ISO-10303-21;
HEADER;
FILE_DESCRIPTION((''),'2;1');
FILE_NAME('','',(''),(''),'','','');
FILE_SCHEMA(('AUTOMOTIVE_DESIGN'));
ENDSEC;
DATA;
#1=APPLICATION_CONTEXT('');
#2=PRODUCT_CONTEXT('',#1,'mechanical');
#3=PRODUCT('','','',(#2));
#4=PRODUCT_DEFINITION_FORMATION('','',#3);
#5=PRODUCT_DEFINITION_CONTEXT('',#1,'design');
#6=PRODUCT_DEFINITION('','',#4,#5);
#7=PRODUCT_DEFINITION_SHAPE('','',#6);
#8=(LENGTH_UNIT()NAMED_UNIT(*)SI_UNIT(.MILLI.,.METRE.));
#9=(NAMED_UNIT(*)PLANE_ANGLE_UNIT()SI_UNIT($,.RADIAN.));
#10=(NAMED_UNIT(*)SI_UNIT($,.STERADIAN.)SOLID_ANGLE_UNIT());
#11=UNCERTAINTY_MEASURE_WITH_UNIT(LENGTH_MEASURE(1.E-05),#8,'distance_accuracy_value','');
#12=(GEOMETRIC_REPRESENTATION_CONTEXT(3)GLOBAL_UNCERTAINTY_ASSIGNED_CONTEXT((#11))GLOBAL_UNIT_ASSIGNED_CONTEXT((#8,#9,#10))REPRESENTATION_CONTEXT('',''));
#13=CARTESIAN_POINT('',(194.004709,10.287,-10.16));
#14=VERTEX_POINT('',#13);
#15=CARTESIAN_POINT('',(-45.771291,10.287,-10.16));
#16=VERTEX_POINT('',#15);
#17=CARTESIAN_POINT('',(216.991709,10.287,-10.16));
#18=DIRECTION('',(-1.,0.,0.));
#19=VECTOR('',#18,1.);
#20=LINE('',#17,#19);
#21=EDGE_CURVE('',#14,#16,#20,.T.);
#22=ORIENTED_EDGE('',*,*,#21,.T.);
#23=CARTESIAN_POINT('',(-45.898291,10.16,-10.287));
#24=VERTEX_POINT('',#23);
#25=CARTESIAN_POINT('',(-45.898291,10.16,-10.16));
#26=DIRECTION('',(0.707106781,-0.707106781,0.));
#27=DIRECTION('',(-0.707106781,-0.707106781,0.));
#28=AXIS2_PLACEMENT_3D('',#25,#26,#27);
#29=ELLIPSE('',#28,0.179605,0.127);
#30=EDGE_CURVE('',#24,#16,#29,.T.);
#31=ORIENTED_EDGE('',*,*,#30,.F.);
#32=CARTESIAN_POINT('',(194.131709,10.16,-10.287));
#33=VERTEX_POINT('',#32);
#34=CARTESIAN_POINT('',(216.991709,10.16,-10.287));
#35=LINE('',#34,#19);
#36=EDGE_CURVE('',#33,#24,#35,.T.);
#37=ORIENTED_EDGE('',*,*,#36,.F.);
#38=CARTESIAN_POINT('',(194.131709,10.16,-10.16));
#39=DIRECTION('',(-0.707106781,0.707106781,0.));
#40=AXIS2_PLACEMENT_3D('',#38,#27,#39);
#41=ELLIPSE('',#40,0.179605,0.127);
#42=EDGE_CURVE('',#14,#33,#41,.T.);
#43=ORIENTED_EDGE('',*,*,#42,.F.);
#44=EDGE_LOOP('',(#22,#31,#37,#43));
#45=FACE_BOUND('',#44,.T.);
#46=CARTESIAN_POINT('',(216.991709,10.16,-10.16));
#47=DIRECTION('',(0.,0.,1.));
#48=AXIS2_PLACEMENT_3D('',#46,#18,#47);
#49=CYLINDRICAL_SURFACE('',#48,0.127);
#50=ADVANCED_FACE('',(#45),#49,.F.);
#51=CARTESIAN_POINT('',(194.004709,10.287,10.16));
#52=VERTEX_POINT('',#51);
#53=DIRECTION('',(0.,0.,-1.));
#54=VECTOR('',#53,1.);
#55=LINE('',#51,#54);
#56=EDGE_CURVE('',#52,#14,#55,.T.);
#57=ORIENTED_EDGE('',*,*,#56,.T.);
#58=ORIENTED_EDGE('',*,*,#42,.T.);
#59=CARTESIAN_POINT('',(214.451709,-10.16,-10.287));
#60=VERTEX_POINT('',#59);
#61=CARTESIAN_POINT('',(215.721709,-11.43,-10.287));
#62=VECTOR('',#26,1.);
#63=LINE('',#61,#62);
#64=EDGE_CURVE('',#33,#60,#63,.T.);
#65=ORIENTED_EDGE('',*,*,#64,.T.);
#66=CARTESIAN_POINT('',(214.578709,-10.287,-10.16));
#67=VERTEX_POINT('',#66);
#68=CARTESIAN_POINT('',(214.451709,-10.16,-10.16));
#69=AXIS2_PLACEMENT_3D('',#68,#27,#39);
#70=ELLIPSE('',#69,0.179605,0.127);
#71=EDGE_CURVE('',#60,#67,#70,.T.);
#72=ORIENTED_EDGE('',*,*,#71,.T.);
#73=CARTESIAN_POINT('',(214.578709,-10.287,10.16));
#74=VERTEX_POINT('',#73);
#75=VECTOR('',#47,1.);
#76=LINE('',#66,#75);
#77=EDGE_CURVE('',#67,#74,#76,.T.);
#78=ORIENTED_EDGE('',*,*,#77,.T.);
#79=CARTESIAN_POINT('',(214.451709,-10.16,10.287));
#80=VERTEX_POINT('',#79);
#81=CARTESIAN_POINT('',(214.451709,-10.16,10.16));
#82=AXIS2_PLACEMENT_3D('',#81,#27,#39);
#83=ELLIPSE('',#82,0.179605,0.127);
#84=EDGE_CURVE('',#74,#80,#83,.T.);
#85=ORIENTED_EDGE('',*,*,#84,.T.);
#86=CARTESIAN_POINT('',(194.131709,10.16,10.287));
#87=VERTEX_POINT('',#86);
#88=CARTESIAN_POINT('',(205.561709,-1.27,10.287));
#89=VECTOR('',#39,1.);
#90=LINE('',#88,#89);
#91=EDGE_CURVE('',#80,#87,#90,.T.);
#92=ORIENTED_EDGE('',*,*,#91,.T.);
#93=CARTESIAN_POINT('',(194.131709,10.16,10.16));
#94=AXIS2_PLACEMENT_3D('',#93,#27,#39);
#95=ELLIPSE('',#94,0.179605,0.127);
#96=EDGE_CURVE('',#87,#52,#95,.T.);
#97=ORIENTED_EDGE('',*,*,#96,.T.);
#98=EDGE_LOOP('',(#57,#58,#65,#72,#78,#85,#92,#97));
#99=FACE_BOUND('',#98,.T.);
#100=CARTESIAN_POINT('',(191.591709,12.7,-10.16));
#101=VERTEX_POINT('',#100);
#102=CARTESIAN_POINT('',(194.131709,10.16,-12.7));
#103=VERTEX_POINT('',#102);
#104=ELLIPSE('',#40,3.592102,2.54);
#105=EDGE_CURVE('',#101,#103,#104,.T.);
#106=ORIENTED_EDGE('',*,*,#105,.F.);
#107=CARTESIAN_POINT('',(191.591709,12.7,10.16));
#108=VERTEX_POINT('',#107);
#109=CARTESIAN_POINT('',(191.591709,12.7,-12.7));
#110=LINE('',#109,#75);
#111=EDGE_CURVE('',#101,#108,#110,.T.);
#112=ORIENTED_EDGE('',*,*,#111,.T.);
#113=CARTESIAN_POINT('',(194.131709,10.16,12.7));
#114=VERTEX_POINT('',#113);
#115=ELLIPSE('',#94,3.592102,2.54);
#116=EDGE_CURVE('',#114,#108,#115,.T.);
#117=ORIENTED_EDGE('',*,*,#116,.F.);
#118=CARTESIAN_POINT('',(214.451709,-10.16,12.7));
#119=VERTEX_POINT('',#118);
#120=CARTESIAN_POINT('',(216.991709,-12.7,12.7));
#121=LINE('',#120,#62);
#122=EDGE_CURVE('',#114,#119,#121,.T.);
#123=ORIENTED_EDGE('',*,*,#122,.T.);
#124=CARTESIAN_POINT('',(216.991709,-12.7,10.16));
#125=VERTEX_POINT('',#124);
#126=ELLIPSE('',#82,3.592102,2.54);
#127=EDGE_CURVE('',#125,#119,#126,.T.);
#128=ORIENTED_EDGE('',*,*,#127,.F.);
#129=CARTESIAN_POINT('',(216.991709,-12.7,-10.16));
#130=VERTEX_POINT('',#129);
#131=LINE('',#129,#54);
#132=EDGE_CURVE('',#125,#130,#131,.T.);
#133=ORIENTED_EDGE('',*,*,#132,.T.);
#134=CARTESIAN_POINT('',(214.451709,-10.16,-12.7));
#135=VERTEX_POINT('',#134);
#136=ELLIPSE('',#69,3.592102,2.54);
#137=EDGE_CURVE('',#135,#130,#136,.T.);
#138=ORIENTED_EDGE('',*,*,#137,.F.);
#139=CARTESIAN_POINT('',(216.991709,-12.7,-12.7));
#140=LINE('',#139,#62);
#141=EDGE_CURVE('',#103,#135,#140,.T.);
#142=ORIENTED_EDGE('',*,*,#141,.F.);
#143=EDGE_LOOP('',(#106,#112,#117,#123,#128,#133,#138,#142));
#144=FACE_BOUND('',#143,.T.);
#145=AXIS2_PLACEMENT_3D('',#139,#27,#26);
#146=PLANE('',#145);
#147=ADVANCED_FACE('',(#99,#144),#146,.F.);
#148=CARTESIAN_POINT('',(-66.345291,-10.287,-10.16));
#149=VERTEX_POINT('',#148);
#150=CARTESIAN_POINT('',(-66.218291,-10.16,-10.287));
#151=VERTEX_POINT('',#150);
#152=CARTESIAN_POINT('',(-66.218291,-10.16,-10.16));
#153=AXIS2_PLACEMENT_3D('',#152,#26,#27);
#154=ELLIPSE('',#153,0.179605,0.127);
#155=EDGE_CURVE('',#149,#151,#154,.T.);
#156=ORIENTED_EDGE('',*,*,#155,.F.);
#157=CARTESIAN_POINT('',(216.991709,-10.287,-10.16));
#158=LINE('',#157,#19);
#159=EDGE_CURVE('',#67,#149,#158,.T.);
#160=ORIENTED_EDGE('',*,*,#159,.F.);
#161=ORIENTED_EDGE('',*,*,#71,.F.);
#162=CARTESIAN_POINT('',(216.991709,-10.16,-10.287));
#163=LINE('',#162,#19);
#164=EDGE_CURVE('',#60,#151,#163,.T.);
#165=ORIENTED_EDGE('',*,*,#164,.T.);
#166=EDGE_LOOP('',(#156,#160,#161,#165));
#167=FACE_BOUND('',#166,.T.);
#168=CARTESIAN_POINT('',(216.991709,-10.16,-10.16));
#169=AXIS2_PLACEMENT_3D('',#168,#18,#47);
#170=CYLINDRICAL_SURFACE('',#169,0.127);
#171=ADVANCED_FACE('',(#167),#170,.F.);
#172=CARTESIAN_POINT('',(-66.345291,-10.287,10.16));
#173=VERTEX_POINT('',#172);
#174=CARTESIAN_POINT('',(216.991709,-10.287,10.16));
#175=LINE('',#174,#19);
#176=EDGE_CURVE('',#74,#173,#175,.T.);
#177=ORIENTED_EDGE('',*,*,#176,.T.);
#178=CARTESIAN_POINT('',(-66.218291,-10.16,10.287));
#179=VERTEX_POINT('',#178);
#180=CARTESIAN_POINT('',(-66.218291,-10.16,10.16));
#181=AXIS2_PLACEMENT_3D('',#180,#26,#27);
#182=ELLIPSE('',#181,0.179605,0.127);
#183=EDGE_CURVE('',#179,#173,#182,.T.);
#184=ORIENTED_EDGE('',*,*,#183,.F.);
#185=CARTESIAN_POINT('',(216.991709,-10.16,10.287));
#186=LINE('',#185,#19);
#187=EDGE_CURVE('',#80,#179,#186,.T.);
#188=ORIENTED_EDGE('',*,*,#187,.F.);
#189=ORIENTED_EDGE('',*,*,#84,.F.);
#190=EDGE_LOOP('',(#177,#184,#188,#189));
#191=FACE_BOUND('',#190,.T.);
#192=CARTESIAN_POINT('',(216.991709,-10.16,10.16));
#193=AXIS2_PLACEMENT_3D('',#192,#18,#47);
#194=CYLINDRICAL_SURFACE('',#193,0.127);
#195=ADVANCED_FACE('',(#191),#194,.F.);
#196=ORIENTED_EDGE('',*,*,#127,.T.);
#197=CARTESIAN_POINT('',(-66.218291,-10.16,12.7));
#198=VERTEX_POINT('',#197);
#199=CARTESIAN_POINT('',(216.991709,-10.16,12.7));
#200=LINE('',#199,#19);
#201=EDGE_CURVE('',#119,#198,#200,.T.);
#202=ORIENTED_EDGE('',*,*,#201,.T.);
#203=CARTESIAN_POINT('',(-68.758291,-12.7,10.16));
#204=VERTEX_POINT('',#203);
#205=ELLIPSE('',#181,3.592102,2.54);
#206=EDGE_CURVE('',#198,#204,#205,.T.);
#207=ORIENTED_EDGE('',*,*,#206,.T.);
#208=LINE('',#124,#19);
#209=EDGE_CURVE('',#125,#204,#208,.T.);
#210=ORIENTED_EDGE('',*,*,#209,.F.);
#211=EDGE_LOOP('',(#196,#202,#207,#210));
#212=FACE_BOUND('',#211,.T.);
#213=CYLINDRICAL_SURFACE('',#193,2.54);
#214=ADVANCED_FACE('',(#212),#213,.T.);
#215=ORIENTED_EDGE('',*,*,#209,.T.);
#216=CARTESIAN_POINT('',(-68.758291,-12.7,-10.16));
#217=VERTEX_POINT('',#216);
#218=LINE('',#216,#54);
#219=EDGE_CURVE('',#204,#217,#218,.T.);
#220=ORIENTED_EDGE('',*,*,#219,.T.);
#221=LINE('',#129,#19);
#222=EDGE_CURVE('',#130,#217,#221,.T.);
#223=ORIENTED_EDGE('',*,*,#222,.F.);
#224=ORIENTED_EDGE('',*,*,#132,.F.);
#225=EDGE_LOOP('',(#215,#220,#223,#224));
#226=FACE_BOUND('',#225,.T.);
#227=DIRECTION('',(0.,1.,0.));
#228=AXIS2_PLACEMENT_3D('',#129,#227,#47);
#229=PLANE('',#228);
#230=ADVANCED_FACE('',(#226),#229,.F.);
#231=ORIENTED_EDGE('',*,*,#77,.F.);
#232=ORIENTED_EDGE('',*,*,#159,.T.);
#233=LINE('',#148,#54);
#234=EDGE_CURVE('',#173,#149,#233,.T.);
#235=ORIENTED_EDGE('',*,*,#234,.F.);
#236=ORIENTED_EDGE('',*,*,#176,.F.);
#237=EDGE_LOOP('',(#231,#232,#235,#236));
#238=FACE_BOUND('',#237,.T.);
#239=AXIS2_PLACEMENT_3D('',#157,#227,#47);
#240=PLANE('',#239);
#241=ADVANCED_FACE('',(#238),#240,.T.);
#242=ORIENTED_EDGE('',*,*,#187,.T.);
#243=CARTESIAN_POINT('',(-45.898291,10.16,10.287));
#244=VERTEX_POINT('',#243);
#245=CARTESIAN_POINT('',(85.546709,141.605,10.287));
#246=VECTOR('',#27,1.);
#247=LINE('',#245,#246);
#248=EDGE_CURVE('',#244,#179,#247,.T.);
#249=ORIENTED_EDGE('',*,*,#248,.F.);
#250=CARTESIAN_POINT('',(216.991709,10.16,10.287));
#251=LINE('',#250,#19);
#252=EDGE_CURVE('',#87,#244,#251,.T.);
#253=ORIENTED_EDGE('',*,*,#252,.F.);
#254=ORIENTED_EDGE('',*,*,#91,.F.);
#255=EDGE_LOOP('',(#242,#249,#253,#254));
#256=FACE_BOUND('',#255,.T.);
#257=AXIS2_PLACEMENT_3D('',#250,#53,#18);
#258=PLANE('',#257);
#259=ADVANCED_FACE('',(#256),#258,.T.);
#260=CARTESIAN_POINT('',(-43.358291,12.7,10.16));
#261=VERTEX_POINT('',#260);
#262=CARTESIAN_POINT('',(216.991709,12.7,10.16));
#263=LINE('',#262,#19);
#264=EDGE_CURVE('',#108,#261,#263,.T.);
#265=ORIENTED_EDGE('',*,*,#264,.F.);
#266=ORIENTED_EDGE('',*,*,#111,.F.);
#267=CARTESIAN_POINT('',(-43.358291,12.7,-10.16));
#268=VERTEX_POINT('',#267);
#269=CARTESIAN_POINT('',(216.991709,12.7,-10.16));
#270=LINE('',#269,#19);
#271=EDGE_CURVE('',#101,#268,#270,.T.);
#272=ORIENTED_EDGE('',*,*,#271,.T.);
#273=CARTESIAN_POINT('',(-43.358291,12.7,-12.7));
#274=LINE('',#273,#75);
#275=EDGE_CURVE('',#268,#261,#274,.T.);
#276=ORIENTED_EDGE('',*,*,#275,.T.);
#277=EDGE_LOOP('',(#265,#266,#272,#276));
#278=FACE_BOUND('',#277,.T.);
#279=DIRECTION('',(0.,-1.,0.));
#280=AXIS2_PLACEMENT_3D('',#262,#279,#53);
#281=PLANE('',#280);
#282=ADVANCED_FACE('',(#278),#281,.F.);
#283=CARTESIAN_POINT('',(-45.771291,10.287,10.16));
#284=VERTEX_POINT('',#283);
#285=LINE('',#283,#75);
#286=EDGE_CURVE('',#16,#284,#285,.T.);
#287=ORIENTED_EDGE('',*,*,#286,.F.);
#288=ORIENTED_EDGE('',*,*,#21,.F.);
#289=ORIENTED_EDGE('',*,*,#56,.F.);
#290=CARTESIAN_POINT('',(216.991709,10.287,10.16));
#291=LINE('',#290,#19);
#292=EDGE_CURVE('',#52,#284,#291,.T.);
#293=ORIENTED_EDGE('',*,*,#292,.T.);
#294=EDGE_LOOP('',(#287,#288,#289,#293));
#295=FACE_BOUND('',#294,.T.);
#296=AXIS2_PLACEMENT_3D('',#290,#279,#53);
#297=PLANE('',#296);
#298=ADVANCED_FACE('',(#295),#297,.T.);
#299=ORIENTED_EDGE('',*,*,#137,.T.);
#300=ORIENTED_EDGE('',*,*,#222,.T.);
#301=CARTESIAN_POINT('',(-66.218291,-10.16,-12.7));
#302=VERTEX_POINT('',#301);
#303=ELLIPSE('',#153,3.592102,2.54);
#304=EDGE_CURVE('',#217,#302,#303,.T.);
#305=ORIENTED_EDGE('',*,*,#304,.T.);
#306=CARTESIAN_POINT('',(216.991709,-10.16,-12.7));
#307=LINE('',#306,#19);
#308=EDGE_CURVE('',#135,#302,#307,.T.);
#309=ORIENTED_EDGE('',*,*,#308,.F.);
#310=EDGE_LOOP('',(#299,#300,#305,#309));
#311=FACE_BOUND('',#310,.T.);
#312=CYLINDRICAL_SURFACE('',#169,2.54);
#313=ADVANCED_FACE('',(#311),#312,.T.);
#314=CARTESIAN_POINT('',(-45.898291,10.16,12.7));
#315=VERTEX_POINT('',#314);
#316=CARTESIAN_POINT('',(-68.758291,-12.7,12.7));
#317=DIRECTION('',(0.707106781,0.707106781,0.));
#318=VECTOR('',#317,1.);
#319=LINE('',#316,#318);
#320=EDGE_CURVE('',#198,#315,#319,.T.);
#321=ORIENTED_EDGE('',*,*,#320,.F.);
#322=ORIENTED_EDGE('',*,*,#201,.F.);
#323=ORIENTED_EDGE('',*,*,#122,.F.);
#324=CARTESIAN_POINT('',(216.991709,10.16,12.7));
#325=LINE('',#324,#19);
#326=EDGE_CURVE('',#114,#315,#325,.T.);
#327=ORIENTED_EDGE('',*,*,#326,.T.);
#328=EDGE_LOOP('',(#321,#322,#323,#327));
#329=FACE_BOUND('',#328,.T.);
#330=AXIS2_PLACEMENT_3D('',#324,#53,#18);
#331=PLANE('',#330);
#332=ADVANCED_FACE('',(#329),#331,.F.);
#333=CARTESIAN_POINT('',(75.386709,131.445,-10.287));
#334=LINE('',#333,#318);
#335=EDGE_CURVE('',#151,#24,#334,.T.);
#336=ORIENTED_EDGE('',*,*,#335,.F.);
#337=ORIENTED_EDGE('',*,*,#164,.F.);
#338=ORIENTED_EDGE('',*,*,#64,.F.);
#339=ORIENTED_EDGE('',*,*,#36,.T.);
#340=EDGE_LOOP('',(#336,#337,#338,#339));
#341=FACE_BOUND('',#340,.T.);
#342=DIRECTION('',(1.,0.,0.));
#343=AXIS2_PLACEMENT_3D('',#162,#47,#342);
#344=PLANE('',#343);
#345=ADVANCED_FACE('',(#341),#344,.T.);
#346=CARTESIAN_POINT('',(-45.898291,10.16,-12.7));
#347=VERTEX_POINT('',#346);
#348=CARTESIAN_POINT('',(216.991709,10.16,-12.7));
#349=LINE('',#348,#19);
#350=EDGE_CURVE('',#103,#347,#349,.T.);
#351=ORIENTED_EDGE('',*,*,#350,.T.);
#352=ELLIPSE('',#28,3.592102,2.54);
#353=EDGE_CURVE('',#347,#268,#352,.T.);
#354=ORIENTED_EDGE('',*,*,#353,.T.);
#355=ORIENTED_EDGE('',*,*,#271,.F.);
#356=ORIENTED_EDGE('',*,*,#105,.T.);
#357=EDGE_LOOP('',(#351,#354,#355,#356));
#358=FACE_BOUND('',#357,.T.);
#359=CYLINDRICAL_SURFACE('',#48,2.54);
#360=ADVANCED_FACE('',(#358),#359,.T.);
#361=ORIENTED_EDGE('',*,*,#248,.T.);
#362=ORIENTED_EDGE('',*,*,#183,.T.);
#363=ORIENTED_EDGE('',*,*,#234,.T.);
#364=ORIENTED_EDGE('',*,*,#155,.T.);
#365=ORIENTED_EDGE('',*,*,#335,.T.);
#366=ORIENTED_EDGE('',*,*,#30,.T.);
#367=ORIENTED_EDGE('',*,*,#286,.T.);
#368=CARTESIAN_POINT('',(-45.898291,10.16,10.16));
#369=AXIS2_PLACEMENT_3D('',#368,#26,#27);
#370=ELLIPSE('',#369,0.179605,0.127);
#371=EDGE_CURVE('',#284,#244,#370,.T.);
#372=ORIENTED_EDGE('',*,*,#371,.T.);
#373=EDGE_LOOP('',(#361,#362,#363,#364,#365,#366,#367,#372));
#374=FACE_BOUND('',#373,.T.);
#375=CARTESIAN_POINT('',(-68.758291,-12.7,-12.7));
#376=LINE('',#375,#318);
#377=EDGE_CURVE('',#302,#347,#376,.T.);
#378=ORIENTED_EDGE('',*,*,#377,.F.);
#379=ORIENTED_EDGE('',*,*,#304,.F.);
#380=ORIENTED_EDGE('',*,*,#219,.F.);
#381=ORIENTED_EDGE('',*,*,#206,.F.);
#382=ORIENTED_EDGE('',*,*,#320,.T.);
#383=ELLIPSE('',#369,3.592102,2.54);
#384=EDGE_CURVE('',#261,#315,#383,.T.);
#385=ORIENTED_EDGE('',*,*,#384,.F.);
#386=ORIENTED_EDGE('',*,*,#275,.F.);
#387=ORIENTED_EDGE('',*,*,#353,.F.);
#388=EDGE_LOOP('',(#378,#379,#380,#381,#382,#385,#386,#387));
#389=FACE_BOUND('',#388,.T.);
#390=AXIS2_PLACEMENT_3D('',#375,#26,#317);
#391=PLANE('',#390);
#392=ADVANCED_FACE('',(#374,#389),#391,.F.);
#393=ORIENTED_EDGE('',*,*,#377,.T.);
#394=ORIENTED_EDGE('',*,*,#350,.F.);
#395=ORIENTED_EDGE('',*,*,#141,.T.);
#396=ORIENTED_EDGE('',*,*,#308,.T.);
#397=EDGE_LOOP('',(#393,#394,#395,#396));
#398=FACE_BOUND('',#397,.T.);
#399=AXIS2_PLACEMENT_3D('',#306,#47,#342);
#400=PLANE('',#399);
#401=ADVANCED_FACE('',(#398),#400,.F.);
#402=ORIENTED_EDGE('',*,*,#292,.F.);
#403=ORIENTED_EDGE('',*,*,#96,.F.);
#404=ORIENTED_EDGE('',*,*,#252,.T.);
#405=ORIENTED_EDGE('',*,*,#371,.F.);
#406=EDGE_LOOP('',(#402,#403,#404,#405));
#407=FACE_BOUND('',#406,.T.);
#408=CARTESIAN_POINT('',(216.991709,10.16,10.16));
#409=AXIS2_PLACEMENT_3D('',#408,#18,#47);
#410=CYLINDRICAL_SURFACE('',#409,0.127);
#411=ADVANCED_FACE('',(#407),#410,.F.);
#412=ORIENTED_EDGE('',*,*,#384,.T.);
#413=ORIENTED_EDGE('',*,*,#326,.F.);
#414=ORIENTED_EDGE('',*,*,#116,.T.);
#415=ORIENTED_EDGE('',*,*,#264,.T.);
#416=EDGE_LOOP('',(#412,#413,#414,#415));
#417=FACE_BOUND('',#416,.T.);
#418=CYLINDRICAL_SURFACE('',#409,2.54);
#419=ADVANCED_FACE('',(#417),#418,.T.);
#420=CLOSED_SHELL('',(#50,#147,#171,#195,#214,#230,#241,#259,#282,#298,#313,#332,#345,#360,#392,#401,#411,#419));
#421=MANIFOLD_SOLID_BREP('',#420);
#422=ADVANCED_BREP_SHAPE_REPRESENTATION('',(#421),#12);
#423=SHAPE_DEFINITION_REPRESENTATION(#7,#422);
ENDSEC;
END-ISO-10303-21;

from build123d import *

# Parameters (mm, degrees)
SQUARE_TUBE_CONFIGURED_2_X_2_X_0_25_1_DEPTH = 285.75
CUT_EXTRUDE1_DEPTH                          = 218.733740656
CUT_EXTRUDE1_DEPTH_BACK                     = 218.733740656


with BuildPart() as part:
    # Sketch11 → Square tube - configured 2 X 2 X 0.25(1) (new body)
    with BuildSketch(Plane.YZ.offset(-68.758290896)):
        with BuildLine():
            Line((-10.16, -12.7), (10.16, -12.7))
            ThreePointArc((10.16, -12.7), (11.956051224, -11.956051224), (12.7, -10.16))
            Line((12.7, -10.16), (12.7, 10.16))
            ThreePointArc((12.7, 10.16), (11.956051224, 11.956051224), (10.16, 12.7))
            Line((10.16, 12.7), (-10.16, 12.7))
            ThreePointArc((-10.16, 12.7), (-11.956051224, 11.956051224), (-12.7, 10.16))
            Line((-12.7, 10.16), (-12.7, -10.16))
            ThreePointArc((-12.7, -10.16), (-11.956051224, -11.956051224), (-10.16, -12.7))
        make_face()
        with BuildLine():
            Line((-10.16, -10.287), (10.16, -10.287))
            ThreePointArc((10.16, -10.287), (10.249802561, -10.249802561), (10.287, -10.16))
            Line((10.287, -10.16), (10.287, 10.16))
            ThreePointArc((10.287, 10.16), (10.249802561, 10.249802561), (10.16, 10.287))
            Line((10.16, 10.287), (-10.16, 10.287))
            ThreePointArc((-10.16, 10.287), (-10.249802561, 10.249802561), (-10.287, 10.16))
            Line((-10.287, 10.16), (-10.287, -10.16))
            ThreePointArc((-10.287, -10.16), (-10.249802561, -10.249802561), (-10.16, -10.287))
        make_face(mode=Mode.SUBTRACT)
    extrude(amount=SQUARE_TUBE_CONFIGURED_2_X_2_X_0_25_1_DEPTH)

    # Sketch12 → Cut-Extrude1 (cut, two sides: drawn at the far end of the back side and taken through both)
    with BuildSketch(Plane.XY.offset(-CUT_EXTRUDE1_DEPTH_BACK)):
        Polygon((-68.758290896, -12.7), (-43.358290896, 12.7), (-68.758290896, 12.7), align=None)
        Polygon((216.991709104, -12.7), (191.591709104, 12.7), (216.991709104, 12.7), align=None)
    extrude(amount=CUT_EXTRUDE1_DEPTH + CUT_EXTRUDE1_DEPTH_BACK, mode=Mode.SUBTRACT)


solid = part.part
